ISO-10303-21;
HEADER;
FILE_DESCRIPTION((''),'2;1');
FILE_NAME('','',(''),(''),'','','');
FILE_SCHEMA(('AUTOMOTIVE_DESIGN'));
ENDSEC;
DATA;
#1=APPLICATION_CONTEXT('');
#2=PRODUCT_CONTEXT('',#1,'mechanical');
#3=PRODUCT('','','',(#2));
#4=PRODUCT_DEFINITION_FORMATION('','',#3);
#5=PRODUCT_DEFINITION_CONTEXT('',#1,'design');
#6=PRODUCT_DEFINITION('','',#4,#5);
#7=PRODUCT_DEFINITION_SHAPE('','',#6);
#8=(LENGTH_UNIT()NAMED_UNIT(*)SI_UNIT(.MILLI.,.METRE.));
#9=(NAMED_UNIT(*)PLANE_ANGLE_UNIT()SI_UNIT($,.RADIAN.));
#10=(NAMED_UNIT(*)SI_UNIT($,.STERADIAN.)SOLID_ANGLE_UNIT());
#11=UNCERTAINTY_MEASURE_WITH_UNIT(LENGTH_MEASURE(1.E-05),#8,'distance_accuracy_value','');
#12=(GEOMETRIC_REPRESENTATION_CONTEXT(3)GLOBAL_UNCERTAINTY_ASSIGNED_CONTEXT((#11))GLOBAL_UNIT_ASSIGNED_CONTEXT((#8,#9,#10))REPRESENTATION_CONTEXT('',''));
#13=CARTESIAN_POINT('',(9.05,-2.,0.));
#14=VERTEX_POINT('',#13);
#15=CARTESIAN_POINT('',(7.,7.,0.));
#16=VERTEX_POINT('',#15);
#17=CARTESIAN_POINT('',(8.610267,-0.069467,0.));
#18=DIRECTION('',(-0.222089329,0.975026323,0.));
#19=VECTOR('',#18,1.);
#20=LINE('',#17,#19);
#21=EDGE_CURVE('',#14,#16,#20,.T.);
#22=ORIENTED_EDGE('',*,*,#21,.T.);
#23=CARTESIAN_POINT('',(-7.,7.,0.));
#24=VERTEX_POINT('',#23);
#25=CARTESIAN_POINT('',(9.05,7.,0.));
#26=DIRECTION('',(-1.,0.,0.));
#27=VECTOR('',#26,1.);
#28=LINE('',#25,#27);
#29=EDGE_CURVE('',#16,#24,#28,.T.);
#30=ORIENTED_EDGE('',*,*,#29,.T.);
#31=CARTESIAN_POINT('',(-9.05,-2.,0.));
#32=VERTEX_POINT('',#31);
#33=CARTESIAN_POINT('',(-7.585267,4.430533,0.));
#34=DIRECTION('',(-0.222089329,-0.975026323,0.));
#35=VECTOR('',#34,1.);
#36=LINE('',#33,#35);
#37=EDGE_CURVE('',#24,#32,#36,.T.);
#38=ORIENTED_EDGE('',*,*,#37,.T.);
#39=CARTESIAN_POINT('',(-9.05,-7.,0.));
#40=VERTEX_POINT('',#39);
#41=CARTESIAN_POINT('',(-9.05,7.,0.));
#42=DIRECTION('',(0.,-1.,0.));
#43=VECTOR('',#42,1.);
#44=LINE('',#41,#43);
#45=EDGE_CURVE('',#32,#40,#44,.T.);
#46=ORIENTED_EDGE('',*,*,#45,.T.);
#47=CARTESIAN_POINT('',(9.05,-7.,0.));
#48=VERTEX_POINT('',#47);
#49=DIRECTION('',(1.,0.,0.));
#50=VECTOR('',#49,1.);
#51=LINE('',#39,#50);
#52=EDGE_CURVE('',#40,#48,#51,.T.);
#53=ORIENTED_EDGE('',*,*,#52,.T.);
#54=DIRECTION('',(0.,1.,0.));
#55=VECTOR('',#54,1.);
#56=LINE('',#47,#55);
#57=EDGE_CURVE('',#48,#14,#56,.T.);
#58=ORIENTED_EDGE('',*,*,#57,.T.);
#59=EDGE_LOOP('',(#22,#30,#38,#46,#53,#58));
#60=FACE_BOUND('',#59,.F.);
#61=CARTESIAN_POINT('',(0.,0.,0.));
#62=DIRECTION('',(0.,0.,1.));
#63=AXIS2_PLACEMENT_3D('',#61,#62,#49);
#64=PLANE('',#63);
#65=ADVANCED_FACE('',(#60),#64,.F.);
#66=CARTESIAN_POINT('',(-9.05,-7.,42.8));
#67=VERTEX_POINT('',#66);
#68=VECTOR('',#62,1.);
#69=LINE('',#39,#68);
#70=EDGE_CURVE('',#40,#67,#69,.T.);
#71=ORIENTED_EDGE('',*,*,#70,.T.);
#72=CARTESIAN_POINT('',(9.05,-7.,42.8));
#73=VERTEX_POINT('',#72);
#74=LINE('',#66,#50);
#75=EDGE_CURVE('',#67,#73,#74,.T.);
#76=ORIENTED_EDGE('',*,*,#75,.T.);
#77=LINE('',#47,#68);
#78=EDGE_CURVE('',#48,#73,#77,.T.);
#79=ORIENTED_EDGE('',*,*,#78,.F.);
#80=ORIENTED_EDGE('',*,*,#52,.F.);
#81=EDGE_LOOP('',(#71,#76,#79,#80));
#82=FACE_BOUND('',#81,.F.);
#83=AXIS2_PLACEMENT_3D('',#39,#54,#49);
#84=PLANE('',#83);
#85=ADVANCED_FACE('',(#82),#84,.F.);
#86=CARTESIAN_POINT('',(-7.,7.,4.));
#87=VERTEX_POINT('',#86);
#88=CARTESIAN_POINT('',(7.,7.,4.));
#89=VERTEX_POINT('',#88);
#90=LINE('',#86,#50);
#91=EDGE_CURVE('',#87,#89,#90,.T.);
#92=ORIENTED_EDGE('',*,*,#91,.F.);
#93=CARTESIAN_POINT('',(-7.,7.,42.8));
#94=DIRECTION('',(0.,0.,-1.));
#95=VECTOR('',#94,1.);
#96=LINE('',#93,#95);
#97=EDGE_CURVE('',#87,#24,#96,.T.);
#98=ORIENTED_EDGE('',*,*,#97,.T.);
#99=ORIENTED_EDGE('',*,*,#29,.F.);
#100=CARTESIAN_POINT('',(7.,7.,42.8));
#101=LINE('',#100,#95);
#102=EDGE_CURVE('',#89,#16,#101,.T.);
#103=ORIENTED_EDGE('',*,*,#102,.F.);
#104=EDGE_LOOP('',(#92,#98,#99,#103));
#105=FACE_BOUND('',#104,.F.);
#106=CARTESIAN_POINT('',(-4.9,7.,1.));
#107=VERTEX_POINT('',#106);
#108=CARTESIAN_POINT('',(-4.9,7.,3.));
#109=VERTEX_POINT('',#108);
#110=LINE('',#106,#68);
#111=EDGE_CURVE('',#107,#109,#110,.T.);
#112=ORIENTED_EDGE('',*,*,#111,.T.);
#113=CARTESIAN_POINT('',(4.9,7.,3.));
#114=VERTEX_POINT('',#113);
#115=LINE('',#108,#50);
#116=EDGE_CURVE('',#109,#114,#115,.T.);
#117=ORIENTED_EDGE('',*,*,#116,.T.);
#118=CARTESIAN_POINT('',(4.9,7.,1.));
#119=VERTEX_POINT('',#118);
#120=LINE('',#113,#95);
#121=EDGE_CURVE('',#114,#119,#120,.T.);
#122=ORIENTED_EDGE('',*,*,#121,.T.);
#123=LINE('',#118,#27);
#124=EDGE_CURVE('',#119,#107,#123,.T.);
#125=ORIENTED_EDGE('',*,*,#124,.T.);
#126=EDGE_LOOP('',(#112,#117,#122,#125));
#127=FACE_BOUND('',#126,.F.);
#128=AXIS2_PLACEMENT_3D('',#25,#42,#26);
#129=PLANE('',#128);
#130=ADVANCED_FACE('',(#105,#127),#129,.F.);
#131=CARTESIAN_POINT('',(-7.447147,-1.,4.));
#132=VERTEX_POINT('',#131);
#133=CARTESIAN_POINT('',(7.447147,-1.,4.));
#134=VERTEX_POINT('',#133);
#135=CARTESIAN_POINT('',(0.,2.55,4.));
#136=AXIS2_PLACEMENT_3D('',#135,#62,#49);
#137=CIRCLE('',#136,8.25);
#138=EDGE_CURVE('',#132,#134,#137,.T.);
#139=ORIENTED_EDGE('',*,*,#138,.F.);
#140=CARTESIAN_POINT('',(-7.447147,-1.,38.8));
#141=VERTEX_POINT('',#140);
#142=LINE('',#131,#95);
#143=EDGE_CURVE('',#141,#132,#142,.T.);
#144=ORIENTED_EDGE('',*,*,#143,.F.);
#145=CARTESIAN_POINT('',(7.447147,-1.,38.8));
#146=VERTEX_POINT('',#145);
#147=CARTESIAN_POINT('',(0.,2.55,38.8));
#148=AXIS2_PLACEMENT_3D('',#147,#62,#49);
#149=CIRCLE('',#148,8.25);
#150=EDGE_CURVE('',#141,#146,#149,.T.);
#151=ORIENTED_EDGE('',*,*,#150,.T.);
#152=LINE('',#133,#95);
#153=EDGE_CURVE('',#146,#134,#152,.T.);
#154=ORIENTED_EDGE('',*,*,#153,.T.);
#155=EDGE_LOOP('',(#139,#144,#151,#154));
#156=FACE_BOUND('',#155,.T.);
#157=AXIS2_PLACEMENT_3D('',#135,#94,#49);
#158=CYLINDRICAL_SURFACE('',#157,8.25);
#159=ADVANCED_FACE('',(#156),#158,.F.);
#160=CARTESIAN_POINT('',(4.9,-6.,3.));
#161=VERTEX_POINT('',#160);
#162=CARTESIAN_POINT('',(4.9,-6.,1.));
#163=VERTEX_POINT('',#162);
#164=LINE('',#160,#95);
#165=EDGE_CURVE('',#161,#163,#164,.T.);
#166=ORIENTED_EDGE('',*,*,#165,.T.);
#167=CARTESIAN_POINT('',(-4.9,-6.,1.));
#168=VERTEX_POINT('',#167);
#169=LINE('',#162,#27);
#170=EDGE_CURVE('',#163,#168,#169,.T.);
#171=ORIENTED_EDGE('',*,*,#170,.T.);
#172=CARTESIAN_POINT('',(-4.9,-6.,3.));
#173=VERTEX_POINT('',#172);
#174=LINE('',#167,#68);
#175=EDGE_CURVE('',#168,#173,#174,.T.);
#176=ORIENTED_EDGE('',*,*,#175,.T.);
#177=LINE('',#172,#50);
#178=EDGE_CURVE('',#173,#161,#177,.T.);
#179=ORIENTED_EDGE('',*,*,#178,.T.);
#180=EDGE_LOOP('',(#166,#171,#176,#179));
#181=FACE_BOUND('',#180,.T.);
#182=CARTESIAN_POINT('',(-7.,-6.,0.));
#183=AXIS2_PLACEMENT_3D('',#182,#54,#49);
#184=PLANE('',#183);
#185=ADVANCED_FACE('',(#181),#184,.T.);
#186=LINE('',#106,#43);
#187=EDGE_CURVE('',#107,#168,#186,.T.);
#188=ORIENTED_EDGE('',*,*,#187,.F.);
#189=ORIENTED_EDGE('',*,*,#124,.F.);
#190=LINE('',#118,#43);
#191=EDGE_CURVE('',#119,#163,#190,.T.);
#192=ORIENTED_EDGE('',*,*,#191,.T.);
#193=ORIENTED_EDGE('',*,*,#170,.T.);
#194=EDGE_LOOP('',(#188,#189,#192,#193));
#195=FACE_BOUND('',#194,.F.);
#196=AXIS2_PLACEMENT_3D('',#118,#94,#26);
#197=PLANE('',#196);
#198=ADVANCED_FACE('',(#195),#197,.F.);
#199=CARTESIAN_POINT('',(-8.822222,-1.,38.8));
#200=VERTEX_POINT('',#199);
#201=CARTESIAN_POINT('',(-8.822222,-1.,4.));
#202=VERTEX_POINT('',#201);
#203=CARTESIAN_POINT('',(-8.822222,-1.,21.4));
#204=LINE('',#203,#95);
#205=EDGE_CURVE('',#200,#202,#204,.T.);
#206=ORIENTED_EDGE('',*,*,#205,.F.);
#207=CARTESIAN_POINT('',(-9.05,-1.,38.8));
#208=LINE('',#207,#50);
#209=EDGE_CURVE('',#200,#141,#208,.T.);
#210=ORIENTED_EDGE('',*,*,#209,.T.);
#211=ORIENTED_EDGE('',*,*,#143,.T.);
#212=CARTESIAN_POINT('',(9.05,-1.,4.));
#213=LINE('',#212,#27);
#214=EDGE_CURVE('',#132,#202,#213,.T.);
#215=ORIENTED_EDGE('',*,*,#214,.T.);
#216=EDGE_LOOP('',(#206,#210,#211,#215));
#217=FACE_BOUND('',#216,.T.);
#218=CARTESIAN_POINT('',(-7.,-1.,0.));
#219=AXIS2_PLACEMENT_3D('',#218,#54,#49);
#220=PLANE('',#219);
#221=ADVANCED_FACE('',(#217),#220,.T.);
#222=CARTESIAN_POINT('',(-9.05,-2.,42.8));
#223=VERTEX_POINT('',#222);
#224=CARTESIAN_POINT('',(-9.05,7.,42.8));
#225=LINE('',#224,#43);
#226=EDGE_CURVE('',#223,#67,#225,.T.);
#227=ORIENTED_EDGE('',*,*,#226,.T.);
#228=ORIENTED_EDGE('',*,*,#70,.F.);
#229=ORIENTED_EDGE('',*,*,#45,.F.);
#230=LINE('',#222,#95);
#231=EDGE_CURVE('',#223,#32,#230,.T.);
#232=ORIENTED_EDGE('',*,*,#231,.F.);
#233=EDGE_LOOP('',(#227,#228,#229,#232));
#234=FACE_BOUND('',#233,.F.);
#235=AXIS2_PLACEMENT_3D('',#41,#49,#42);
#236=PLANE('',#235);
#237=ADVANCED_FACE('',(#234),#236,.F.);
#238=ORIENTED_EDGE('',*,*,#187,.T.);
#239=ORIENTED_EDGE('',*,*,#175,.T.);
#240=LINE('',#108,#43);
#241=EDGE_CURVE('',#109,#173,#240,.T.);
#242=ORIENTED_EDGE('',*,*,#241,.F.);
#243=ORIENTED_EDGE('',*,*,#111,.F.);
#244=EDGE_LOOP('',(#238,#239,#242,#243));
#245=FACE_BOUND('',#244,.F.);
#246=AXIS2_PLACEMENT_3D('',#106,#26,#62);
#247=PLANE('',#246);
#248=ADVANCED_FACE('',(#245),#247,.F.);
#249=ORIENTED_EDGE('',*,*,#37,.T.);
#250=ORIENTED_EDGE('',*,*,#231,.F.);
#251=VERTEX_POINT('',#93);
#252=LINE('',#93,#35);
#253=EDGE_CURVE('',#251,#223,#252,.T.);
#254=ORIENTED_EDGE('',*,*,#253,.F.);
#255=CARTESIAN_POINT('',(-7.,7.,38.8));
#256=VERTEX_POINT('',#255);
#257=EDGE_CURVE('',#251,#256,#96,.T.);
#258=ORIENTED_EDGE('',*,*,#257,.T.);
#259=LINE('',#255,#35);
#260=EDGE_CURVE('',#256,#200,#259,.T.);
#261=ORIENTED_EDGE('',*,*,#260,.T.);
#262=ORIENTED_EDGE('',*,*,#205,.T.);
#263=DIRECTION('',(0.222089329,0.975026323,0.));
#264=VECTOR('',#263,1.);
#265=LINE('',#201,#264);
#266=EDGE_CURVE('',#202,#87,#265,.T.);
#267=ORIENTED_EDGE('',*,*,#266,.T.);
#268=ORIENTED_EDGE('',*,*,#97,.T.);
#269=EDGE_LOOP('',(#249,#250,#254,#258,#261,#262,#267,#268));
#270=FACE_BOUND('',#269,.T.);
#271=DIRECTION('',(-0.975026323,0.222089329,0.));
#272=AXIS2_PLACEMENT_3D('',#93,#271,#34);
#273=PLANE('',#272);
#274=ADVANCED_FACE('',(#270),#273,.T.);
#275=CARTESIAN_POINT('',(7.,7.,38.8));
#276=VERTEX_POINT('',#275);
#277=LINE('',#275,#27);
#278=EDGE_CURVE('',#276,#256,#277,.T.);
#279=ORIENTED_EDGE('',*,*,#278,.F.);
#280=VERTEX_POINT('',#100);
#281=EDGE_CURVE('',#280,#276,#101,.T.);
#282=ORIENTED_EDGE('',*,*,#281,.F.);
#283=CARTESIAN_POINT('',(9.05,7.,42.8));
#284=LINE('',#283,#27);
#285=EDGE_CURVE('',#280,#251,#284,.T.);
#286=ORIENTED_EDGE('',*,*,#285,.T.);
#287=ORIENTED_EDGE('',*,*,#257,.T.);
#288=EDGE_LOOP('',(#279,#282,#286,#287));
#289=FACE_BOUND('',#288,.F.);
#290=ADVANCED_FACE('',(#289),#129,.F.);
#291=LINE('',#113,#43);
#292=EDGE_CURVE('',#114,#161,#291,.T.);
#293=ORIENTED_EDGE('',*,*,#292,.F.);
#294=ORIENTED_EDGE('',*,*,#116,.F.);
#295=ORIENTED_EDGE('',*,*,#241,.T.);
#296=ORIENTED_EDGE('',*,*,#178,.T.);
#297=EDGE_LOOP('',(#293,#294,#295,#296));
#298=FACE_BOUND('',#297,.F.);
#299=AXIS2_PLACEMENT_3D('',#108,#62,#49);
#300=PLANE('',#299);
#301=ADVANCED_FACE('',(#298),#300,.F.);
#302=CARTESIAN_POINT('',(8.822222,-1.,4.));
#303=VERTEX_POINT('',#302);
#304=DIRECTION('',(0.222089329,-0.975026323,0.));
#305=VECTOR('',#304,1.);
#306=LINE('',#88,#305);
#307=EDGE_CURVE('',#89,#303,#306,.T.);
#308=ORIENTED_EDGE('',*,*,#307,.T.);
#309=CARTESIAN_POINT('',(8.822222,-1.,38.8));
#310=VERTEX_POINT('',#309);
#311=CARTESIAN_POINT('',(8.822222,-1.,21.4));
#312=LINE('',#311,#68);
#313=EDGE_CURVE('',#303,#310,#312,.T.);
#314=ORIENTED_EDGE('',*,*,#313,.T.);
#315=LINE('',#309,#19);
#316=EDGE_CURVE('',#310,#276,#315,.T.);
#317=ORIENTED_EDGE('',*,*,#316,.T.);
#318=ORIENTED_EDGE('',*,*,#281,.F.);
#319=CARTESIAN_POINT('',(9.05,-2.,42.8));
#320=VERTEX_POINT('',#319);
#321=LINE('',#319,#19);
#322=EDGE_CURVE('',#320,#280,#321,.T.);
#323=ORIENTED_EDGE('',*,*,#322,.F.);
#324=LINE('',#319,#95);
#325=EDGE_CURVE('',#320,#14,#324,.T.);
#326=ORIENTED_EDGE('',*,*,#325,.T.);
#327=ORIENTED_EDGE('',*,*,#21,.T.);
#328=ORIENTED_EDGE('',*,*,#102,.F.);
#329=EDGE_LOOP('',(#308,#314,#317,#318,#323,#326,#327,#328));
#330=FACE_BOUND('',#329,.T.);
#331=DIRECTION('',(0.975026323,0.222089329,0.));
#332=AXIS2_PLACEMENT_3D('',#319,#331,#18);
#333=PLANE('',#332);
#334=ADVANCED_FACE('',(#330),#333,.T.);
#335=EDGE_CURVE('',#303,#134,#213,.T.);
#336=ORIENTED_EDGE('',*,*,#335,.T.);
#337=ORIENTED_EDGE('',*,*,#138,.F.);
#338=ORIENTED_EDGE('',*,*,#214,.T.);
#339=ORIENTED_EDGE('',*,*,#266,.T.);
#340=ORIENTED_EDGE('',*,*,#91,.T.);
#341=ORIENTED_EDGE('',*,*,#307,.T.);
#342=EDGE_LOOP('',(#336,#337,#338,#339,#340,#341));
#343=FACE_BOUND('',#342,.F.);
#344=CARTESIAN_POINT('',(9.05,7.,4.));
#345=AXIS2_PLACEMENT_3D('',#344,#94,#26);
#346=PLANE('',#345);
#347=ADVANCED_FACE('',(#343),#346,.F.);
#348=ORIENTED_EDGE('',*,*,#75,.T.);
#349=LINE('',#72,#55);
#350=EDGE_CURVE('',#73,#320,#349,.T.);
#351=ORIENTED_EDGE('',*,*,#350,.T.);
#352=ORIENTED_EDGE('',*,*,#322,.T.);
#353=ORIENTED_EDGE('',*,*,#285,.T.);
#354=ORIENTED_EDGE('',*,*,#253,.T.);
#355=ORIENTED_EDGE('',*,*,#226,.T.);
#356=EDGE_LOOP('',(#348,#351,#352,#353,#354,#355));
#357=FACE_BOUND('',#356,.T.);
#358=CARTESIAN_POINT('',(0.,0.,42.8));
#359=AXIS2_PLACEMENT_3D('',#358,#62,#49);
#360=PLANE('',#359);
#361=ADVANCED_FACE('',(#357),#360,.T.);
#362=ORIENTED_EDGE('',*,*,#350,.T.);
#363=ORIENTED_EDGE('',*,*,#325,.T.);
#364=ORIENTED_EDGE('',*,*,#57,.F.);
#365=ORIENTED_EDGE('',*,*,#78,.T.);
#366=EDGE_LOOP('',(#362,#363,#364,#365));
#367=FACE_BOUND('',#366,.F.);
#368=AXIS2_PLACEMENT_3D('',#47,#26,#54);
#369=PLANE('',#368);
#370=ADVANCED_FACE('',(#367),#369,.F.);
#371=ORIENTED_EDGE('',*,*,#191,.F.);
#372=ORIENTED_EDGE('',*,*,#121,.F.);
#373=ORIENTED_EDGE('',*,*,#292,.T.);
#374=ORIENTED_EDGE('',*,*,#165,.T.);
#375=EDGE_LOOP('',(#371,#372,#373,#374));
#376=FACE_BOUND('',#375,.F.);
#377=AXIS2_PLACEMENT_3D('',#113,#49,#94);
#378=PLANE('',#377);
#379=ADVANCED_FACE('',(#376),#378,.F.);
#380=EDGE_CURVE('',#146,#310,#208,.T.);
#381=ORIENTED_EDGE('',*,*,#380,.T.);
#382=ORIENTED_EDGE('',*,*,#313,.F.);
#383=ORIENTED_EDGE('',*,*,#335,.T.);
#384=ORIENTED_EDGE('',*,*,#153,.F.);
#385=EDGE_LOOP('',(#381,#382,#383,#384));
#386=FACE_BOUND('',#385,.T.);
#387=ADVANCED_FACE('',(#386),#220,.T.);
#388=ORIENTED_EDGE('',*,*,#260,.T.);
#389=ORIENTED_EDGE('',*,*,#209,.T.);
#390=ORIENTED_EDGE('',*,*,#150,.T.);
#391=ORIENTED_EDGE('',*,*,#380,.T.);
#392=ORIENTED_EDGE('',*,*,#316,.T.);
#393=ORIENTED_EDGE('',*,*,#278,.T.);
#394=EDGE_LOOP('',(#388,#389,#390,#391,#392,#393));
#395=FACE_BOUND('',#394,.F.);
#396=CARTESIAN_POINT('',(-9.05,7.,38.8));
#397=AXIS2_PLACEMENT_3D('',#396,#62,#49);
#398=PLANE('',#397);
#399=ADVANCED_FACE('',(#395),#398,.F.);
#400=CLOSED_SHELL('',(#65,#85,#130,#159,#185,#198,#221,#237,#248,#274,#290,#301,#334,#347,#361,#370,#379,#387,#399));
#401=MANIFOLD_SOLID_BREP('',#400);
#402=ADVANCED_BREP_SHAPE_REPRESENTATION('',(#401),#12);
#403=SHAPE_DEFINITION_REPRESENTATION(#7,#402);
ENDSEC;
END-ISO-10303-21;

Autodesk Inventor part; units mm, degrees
ref_plane "YZ Plane" through (0, 0, 0) normal (1, 0, 0) x (0, 1, 0)
ref_plane "XZ Plane" through (0, 0, 0) normal (0, 1, 0) x (-1, 0, 0)
ref_plane "XY Plane" through (0, 0, 0) normal (0, 0, 1) x (1, 0, 0)
sketch "スケッチ1" plane through (0, 0, 0) normal (0, 0, 1) x (1, 0, 0)
  line L0 (-9.05, -7) -> (9.05, -7)
  line L1 (9.05, -7) -> (9.05, 7)
  line L2 (9.05, 7) -> (-9.05, 7)
  line L3 (-9.05, 7) -> (-9.05, -7)
  line L4 (-9.05, -7) -> (9.05, 7) construction
  line L5 (9.05, -7) -> (-9.05, 7) construction
  point P0 (0, 0)
  dimension "d1" = 14
  dimension "d2" = 18.1
extrude "押し出し1" add sketch "スケッチ1" along normal blind 42.8
sketch "スケッチ2" plane through (0, 0, 42.8) normal (0, 0, 1) x (1, 0, 0)
  line L0 (-9.05, 7) -> (-9.05, -7) projected
  line L1 (-9.05, 7) -> (-7, 7)
  line L2 (-7, 7) -> (-9.05, -2)
  line L3 (9.05, 7) -> (-9.05, 7) projected
  line L4 (-9.05, 7) -> (-9.05, -2)
  line L5 (9.05, -7) -> (9.05, 7) projected
  line L6 (9.05, 7) -> (9.05, -2)
  line L7 (9.05, -2) -> (7, 7)
  line L8 (7, 7) -> (9.05, 7)
  line L9 (-9.05, -7) -> (9.05, -7) projected
  point P0 (0, 0)
  dimension "d5" = 14
  dimension "d6" = 5
extrude "押し出し2" cut sketch "スケッチ2" against normal through all contours L1 L2 L0 | L3 L5 L7
sketch "スケッチ3" plane through (-7, 7, 0) normal (0, 1, 0) x (1, 0, 0)
  line L0 (-2.05, 0) -> (-2.05, -42.8) projected
  line L1 (16.05, 0) -> (16.05, -42.8) projected
  line L2 (-2.05, -38.8) -> (16.05, -38.8)
  line L3 (16.05, -38.8) -> (16.05, -4)
  line L4 (16.05, -4) -> (-2.05, -4)
  line L5 (-2.05, -4) -> (-2.05, -38.8)
  line L6 (14, 0) -> (0, 0) projected
  line L7 (14, -42.8) -> (0, -42.8) projected
  point P0 (7, 0)
  dimension "d9" = 4
  dimension "d10" = 4
extrude "押し出し3" cut sketch "スケッチ3" against normal blind 8
sketch "スケッチ4" plane through (-7, 7, 4) normal (0, 0, 1) x (1, 0, 0)
  circle A0 centre (7, -4.45) radius 8.25
  line L0 (-2.05, -14) -> (16.05, -14) projected
  point P0 (7, -7)
  dimension "d13" = 16.5
  dimension "d14" = 17.8
extrude "押し出し4" cut sketch "スケッチ4" along normal up to surface (34.8 mm away)
sketch "スケッチ5" plane through (-7, 7, 0) normal (0, 1, 0) x (1, 0, 0)
  line L0 (2.1, -3) -> (11.9, -3)
  line L1 (11.9, -3) -> (11.9, -1)
  line L2 (11.9, -1) -> (2.1, -1)
  line L3 (2.1, -1) -> (2.1, -3)
  line L4 (2.1, -3) -> (11.9, -1) construction
  line L5 (11.9, -3) -> (2.1, -1) construction
  line L6 (14, -4) -> (14, 0) projected
  line L7 (14, 0) -> (0, 0) projected
  point P0 (7, 0)
  point P1 (7, -2)
  point P2 (7, -2)
  point P3 (14, -2)
  point P4 (7, -2)
  point P5 (7, 0)
  dimension "d17" = 2
  dimension "d18" = 9.8
extrude "押し出し5" cut sketch "スケッチ5" against normal blind 13
